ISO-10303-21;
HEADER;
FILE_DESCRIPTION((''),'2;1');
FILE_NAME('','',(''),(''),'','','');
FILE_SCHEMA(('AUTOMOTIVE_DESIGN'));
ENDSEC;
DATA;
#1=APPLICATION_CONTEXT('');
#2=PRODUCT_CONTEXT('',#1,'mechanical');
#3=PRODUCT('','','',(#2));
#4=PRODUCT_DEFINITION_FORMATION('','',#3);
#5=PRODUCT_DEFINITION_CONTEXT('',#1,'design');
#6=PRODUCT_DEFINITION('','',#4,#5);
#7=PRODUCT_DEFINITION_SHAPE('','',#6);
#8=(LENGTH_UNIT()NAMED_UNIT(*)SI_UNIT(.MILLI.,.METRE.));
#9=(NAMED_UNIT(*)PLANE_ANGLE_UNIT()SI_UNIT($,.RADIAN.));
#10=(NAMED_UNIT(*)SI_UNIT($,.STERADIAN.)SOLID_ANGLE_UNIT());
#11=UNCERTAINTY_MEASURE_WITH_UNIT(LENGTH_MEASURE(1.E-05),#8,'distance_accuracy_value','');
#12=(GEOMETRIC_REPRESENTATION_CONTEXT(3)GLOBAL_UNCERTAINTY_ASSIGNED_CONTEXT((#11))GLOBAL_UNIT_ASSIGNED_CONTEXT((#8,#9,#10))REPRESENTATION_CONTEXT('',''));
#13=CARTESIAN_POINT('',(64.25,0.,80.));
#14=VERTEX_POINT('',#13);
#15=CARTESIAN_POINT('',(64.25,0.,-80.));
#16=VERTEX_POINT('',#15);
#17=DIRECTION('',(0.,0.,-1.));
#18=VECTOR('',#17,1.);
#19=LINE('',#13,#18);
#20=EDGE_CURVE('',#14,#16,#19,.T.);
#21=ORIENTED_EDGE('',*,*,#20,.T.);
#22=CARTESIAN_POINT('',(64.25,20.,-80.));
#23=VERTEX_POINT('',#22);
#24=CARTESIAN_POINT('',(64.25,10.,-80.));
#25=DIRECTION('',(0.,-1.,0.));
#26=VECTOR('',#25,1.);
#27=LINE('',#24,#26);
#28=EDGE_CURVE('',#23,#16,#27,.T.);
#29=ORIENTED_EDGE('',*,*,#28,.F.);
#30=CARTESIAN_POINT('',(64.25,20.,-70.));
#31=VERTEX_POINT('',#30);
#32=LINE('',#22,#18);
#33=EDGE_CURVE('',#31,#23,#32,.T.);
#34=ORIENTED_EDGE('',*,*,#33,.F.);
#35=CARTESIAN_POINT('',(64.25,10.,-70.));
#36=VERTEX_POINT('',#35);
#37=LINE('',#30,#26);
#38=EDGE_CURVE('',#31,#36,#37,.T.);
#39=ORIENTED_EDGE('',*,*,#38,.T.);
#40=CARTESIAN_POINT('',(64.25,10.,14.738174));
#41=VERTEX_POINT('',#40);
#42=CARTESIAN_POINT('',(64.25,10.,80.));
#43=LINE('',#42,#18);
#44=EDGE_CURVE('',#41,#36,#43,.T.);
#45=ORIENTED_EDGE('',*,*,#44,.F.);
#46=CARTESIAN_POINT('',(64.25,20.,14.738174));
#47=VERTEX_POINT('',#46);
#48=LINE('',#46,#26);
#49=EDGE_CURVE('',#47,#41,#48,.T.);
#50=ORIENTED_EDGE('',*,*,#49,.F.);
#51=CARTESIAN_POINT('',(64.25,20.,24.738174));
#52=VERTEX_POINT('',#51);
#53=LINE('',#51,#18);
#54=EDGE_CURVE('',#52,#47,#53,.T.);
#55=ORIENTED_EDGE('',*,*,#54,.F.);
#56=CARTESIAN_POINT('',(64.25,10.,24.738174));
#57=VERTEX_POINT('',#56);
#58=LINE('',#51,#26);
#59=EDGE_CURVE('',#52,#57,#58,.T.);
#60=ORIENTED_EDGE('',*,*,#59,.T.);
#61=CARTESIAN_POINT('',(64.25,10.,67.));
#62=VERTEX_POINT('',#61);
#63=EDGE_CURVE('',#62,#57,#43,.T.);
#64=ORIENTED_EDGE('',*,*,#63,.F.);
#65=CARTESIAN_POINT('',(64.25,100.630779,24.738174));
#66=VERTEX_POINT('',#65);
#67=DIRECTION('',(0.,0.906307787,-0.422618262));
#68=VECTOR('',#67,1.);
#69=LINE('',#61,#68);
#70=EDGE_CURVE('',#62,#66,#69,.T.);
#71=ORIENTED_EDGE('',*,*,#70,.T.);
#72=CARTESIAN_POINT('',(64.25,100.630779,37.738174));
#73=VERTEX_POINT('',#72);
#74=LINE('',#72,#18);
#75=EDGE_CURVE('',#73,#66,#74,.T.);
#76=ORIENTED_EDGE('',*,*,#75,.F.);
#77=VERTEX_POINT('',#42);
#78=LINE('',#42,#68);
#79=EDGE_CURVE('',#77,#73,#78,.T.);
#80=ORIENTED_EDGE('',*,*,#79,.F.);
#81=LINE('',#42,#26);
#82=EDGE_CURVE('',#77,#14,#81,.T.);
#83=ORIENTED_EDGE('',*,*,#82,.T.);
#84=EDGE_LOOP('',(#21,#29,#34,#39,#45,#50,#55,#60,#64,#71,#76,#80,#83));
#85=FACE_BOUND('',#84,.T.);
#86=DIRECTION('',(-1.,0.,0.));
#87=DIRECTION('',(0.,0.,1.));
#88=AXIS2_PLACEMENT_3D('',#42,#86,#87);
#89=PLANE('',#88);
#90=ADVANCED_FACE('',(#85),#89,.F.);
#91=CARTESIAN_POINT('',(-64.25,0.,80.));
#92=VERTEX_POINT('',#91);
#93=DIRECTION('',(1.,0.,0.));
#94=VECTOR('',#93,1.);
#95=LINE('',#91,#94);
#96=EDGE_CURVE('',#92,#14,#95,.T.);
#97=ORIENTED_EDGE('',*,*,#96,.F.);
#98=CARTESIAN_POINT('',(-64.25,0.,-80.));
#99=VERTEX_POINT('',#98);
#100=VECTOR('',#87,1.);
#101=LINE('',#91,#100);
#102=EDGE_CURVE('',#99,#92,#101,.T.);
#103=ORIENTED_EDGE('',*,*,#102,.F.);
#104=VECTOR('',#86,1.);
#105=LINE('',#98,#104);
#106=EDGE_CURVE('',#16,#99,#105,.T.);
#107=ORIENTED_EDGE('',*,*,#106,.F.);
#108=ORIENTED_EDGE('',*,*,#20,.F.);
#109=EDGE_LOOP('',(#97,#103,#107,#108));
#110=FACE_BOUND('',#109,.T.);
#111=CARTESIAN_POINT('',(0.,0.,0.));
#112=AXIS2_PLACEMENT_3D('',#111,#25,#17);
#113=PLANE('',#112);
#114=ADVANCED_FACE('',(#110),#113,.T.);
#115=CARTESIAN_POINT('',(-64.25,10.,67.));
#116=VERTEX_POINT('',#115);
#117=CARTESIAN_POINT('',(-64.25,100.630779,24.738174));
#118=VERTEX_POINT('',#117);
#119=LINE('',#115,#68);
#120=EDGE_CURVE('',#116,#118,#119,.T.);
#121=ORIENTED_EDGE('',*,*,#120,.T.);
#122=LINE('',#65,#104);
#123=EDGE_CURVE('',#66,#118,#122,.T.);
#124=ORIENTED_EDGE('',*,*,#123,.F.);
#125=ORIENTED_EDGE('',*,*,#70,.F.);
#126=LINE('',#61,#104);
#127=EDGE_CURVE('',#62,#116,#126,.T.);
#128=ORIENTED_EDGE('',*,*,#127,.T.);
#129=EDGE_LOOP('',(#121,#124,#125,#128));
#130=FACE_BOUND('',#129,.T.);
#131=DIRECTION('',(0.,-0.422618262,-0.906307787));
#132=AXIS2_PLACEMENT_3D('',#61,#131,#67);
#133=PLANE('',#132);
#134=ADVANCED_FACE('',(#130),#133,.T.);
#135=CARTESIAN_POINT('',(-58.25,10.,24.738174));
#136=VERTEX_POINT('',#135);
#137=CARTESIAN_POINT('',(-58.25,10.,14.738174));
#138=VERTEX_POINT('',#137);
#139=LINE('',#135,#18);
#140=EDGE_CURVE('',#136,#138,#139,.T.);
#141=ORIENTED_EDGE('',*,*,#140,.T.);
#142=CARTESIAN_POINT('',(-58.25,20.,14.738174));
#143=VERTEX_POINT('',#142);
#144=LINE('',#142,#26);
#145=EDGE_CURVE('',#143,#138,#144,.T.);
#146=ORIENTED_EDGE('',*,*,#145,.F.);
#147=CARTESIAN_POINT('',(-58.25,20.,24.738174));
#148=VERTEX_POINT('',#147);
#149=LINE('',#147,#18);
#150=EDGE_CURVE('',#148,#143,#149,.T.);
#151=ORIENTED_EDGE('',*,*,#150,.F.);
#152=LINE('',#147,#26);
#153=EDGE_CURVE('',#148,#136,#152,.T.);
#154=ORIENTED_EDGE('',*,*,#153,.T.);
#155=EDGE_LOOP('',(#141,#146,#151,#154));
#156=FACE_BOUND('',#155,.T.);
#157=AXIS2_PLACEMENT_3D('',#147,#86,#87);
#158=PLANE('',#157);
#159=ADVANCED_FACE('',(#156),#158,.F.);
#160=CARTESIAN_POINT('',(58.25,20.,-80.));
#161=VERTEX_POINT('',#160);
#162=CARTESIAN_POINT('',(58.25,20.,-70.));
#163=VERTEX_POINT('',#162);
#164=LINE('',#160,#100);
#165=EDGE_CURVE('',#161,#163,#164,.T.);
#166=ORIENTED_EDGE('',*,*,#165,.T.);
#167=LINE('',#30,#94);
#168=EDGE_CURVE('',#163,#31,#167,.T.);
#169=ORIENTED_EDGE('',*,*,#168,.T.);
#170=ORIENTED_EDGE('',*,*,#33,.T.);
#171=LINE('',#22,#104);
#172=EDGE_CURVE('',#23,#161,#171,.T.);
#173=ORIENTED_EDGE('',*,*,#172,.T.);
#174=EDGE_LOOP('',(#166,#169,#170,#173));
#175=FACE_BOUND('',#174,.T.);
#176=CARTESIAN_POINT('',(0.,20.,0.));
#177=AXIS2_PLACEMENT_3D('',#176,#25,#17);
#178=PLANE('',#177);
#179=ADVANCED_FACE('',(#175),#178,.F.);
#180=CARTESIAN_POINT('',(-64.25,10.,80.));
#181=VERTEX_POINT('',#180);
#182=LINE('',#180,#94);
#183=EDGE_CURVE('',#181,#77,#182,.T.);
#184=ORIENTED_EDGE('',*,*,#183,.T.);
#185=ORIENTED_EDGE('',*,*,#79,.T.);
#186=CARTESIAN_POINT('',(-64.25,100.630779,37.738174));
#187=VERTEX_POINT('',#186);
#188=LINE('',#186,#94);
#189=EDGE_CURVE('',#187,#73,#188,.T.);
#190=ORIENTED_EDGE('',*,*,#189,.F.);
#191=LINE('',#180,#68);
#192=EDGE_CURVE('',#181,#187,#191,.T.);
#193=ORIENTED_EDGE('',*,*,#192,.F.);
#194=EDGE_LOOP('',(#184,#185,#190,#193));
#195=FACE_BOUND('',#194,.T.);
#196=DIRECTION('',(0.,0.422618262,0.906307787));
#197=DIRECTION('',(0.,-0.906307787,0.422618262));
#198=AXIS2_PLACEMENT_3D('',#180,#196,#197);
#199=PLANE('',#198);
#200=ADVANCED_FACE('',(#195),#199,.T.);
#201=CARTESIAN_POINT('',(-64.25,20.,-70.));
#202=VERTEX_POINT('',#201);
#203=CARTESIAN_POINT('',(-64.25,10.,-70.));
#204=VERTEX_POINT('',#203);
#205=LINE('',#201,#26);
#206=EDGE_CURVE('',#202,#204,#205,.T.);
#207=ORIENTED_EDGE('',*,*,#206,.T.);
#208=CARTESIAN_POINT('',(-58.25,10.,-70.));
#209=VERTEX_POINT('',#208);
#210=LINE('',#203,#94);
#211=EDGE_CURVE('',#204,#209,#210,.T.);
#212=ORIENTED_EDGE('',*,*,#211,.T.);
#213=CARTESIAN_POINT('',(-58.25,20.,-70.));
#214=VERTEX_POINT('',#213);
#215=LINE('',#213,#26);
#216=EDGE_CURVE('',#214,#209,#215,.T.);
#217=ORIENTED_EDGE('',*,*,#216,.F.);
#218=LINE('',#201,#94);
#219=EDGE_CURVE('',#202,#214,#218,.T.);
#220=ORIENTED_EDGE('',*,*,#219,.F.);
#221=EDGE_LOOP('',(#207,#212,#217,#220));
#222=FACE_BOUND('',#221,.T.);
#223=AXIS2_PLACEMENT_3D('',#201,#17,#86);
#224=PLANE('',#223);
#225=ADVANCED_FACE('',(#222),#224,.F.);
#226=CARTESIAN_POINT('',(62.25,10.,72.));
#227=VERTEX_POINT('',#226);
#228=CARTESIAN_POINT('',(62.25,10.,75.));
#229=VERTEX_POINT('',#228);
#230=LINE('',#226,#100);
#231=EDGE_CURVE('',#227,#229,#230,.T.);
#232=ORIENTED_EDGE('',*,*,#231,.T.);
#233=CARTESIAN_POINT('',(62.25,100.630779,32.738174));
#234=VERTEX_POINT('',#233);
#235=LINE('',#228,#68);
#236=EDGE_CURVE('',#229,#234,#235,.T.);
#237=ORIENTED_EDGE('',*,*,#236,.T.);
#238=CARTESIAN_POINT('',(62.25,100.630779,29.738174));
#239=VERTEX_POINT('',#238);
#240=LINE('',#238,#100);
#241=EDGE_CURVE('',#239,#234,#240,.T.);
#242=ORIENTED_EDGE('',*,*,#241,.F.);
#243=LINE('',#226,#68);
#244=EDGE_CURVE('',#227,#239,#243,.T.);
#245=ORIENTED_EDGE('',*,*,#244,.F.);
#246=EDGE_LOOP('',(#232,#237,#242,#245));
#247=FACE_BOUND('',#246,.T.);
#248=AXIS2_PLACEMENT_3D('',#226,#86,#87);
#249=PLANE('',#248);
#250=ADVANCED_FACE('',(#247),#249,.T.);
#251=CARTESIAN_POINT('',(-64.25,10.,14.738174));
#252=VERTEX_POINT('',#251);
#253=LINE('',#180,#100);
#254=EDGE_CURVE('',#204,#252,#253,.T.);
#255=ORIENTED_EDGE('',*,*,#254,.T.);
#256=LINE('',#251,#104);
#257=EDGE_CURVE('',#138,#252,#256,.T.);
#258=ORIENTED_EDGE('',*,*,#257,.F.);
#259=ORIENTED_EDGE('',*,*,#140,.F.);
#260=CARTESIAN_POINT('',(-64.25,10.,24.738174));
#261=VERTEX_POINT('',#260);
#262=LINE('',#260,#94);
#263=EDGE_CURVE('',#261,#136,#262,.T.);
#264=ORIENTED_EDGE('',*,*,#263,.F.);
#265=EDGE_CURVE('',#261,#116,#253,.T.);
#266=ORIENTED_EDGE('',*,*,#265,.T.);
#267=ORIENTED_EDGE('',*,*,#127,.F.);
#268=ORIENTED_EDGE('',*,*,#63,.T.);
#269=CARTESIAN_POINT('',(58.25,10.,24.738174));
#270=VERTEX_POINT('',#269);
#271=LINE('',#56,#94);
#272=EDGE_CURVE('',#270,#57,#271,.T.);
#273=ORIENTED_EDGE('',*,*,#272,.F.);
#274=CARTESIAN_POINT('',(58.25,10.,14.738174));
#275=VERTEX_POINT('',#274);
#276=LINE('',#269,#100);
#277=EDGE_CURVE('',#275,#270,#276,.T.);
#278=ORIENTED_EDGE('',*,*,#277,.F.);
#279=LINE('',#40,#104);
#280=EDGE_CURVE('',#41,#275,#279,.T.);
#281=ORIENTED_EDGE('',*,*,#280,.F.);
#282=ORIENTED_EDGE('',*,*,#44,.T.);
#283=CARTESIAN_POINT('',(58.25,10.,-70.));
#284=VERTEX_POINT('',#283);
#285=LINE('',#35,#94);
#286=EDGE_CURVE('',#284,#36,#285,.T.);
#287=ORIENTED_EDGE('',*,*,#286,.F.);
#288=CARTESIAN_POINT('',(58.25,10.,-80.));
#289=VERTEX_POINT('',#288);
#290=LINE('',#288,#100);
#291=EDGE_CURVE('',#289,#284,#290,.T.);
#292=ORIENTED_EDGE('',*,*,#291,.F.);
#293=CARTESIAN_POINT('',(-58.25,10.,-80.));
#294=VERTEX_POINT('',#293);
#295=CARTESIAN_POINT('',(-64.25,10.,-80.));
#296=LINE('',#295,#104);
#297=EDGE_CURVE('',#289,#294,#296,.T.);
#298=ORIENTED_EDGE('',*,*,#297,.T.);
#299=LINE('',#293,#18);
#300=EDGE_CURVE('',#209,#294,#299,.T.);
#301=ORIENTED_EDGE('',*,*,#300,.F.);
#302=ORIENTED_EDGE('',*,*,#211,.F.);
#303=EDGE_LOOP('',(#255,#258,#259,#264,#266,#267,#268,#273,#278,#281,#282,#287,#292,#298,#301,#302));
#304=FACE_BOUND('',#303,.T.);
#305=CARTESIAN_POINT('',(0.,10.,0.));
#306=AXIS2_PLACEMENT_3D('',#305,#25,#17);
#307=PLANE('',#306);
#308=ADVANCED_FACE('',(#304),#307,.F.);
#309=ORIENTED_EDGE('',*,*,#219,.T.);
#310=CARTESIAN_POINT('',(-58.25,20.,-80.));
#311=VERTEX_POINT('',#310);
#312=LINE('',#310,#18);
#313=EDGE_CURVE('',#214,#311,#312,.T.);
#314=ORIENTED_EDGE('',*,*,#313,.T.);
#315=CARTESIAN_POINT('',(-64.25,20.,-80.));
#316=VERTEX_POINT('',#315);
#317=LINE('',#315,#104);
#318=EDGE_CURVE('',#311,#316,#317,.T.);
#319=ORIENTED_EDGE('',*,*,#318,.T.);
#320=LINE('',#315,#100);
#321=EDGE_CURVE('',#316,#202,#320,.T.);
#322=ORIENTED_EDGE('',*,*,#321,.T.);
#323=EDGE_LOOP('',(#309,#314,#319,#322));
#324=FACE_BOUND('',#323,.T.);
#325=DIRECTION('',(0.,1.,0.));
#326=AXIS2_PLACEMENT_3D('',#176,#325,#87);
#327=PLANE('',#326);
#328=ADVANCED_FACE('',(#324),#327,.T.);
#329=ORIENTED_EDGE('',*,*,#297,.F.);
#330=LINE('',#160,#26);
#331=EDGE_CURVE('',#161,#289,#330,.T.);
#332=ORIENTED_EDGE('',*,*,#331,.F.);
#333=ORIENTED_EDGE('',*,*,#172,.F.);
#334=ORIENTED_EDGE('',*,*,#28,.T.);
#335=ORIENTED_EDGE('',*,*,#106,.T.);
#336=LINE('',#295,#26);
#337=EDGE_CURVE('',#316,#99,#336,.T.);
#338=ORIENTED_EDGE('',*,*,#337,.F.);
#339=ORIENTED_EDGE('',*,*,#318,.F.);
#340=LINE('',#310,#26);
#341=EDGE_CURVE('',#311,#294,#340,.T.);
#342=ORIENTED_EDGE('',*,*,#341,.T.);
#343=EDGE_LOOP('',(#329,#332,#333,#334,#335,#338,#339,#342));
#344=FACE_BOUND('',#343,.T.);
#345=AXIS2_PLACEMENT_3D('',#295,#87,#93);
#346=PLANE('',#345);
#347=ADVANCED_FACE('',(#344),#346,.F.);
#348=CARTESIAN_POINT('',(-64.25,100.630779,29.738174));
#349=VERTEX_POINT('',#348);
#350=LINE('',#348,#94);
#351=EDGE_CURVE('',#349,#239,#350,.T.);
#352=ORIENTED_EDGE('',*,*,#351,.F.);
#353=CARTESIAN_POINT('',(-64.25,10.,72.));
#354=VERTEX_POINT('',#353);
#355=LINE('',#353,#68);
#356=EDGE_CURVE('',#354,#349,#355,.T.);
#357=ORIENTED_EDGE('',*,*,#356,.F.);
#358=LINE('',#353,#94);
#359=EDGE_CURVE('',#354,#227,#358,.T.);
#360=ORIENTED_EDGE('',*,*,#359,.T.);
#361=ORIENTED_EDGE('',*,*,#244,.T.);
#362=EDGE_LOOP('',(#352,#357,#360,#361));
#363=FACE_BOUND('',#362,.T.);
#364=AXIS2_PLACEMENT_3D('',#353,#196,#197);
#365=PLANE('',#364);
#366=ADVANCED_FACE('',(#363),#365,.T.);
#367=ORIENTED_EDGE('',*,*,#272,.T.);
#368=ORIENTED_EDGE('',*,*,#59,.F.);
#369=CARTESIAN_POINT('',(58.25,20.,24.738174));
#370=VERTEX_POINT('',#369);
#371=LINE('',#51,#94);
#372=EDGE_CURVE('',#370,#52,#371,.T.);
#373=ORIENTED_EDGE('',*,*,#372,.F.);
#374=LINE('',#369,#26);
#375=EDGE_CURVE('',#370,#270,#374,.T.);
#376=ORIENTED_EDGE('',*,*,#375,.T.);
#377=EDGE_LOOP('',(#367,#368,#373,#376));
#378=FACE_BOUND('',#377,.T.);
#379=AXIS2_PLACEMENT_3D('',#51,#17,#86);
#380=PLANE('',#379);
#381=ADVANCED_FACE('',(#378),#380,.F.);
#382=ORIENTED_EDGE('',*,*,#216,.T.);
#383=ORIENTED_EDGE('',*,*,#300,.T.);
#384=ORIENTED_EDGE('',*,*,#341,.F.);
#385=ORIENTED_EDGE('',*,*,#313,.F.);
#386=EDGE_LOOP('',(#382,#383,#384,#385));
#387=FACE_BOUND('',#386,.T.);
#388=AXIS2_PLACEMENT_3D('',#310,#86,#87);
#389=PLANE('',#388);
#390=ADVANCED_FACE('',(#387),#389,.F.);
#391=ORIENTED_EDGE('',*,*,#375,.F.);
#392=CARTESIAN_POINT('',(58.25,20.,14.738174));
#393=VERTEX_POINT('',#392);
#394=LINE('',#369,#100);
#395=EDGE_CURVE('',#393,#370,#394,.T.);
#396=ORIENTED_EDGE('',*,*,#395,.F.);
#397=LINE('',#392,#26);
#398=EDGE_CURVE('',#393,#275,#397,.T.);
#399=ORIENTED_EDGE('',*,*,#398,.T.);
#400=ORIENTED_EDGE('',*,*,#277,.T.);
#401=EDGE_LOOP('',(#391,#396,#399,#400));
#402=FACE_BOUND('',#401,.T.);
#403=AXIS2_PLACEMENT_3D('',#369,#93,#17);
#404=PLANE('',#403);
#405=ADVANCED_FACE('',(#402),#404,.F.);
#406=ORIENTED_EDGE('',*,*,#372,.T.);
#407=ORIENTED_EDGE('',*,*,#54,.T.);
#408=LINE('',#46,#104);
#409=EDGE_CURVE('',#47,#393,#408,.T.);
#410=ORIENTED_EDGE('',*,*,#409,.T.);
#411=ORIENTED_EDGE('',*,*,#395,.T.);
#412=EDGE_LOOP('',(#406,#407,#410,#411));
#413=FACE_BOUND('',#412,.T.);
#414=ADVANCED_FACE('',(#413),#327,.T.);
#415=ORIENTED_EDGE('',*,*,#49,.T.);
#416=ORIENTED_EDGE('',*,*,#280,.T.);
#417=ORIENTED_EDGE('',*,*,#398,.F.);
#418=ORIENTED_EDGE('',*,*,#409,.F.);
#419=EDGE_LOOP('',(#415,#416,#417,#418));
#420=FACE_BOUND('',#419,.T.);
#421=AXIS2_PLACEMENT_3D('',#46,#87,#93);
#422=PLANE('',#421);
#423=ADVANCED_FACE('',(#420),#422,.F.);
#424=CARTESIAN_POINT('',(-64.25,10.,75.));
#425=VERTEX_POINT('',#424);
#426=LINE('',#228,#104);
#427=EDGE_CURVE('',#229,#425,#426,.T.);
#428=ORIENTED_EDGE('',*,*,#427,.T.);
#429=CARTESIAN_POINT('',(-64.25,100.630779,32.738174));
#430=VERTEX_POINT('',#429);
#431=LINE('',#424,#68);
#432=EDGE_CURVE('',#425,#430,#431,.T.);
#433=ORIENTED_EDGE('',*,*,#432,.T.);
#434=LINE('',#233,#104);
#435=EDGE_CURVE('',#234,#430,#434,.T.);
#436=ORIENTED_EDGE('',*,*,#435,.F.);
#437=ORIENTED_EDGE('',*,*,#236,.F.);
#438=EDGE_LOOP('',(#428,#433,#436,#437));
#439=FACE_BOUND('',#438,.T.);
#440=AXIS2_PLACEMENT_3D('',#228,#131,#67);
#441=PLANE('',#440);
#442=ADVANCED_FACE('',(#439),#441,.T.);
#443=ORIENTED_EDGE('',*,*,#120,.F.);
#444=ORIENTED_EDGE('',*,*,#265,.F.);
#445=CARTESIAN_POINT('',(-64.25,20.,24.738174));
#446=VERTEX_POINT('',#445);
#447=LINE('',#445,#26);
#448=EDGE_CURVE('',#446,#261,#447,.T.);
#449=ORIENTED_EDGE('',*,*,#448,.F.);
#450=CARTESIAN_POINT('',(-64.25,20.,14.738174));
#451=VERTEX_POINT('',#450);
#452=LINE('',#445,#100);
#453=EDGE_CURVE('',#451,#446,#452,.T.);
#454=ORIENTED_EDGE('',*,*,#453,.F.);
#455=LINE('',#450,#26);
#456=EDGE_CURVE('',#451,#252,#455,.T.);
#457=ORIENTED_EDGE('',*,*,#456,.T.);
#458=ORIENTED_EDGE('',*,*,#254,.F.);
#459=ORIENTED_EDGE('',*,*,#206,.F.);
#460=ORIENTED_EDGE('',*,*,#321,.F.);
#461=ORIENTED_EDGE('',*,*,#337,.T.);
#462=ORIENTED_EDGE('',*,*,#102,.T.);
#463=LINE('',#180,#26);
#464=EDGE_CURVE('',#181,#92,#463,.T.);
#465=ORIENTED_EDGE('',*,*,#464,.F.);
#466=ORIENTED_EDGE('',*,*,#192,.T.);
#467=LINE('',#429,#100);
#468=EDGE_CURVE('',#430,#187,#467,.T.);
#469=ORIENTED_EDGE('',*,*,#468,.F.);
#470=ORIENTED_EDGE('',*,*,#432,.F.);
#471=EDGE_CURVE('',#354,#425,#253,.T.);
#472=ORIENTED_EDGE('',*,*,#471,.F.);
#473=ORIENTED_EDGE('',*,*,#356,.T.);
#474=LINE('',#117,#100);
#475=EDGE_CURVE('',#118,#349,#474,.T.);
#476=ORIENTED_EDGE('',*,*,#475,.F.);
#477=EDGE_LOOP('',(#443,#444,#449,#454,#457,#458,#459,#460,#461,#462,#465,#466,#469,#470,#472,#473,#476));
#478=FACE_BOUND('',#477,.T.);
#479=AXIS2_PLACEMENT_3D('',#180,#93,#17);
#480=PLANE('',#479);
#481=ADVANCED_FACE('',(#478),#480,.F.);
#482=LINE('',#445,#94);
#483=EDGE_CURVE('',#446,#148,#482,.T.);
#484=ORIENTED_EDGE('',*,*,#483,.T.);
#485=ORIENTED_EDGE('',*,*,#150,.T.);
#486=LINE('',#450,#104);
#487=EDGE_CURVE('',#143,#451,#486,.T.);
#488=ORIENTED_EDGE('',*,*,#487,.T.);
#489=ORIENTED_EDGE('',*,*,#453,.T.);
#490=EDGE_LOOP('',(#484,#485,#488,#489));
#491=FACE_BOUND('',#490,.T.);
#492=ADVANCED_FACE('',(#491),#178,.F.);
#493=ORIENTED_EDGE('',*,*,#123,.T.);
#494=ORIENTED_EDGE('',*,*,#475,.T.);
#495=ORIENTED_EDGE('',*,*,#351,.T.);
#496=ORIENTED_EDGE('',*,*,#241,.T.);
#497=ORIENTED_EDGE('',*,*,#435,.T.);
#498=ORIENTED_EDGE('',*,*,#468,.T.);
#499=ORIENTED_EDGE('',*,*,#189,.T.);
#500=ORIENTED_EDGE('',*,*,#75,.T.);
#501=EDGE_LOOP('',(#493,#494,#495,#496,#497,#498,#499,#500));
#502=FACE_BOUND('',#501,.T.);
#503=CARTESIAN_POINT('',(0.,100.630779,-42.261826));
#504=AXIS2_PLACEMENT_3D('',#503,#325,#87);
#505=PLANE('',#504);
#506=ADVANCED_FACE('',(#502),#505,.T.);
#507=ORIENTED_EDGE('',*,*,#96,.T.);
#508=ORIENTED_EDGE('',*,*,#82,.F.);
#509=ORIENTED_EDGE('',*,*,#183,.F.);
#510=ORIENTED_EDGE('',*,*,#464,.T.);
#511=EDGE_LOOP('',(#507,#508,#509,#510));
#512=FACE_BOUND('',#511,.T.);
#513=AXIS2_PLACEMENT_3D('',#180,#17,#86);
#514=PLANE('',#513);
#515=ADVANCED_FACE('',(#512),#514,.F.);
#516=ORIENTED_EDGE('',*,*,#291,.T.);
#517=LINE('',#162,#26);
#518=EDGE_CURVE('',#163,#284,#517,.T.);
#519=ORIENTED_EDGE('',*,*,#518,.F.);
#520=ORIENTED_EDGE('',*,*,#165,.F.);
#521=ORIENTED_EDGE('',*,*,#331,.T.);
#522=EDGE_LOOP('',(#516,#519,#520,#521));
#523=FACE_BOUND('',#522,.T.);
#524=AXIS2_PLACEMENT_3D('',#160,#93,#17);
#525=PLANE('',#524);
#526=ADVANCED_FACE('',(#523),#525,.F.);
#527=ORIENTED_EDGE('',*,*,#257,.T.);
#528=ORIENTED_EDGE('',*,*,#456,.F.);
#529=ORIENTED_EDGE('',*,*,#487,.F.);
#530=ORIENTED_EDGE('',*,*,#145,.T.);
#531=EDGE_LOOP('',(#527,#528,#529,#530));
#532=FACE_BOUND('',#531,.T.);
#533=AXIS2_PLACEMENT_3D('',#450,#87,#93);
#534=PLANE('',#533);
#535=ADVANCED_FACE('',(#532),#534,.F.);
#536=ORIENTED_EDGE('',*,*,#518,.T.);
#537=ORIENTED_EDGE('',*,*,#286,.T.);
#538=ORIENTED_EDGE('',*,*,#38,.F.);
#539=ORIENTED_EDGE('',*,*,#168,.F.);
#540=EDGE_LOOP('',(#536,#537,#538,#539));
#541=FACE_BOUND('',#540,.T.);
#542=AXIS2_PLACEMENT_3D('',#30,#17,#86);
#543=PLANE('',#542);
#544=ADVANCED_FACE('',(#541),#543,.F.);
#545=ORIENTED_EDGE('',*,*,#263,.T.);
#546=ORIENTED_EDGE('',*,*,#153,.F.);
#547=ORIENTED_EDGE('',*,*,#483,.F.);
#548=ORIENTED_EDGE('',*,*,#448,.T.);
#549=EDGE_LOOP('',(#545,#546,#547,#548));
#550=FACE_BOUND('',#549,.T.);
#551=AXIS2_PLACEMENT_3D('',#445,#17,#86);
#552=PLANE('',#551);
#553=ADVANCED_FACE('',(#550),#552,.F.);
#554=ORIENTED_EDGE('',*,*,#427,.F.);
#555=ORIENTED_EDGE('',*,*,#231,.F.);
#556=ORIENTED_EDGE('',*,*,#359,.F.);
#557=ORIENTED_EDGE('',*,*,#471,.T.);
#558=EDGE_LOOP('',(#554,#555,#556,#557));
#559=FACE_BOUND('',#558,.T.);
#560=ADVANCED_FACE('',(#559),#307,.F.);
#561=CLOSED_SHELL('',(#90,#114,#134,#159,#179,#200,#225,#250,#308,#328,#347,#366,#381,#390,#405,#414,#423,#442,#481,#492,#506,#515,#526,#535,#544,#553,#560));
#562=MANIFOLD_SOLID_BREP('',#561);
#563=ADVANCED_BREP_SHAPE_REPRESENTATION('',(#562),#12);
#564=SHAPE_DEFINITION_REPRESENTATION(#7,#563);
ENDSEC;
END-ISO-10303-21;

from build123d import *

# Parameters (mm, degrees)
SKETCH1_W           = 128.5
SKETCH1_H           = 160
BOSS_EXTRUDE1_DEPTH = 10
SKETCH6_W           = 6
SKETCH6_H           = 10
BOSS_EXTRUDE2_DEPTH = 10


with BuildPart() as part:
    # Sketch1 → Boss-Extrude1 (new body)
    with BuildSketch(Plane(origin=(0, 0, 0), x_dir=(1, 0, 0), z_dir=(0, 1, 0))):
        Rectangle(SKETCH1_W, SKETCH1_H)
    extrude(amount=BOSS_EXTRUDE1_DEPTH)

    # Sweep1: sweep along a path in Sketch4
    with BuildLine(Plane(origin=(64.25, 0, 0), x_dir=(0, 0, -1), z_dir=(1, 0, 0))) as sweep1_path:
        Line((-80, 10), (-37.738173826, 100.630778704))
    # Sketch2 → Sweep1 (sweep)
    with BuildSketch(Plane(origin=(0, 10, 0), x_dir=(1, 0, 0), z_dir=(0, 1, 0))):
        Polygon((-64.25, -80), (64.25, -80), (64.25, -67), (-64.25, -67), (-64.25, -72), (62.25, -72), (62.25, -75), (-64.25, -75), align=None)
    sweep(path=sweep1_path.line)

    # Sketch6 → Boss-Extrude2 (add)
    with BuildSketch(Plane(origin=(0, 10, 0), x_dir=(1, 0, 0), z_dir=(0, 1, 0))):
        with Locations((-61.25, 75)):
            Rectangle(SKETCH6_W, SKETCH6_H)
        with Locations((-61.25, -19.738173826)):
            Rectangle(SKETCH6_W, SKETCH6_H)
        with Locations((61.25, 75)):
            Rectangle(SKETCH6_W, SKETCH6_H)
        with Locations((61.25, -19.738173826)):
            Rectangle(SKETCH6_W, SKETCH6_H)
    extrude(amount=BOSS_EXTRUDE2_DEPTH)


solid = part.part
